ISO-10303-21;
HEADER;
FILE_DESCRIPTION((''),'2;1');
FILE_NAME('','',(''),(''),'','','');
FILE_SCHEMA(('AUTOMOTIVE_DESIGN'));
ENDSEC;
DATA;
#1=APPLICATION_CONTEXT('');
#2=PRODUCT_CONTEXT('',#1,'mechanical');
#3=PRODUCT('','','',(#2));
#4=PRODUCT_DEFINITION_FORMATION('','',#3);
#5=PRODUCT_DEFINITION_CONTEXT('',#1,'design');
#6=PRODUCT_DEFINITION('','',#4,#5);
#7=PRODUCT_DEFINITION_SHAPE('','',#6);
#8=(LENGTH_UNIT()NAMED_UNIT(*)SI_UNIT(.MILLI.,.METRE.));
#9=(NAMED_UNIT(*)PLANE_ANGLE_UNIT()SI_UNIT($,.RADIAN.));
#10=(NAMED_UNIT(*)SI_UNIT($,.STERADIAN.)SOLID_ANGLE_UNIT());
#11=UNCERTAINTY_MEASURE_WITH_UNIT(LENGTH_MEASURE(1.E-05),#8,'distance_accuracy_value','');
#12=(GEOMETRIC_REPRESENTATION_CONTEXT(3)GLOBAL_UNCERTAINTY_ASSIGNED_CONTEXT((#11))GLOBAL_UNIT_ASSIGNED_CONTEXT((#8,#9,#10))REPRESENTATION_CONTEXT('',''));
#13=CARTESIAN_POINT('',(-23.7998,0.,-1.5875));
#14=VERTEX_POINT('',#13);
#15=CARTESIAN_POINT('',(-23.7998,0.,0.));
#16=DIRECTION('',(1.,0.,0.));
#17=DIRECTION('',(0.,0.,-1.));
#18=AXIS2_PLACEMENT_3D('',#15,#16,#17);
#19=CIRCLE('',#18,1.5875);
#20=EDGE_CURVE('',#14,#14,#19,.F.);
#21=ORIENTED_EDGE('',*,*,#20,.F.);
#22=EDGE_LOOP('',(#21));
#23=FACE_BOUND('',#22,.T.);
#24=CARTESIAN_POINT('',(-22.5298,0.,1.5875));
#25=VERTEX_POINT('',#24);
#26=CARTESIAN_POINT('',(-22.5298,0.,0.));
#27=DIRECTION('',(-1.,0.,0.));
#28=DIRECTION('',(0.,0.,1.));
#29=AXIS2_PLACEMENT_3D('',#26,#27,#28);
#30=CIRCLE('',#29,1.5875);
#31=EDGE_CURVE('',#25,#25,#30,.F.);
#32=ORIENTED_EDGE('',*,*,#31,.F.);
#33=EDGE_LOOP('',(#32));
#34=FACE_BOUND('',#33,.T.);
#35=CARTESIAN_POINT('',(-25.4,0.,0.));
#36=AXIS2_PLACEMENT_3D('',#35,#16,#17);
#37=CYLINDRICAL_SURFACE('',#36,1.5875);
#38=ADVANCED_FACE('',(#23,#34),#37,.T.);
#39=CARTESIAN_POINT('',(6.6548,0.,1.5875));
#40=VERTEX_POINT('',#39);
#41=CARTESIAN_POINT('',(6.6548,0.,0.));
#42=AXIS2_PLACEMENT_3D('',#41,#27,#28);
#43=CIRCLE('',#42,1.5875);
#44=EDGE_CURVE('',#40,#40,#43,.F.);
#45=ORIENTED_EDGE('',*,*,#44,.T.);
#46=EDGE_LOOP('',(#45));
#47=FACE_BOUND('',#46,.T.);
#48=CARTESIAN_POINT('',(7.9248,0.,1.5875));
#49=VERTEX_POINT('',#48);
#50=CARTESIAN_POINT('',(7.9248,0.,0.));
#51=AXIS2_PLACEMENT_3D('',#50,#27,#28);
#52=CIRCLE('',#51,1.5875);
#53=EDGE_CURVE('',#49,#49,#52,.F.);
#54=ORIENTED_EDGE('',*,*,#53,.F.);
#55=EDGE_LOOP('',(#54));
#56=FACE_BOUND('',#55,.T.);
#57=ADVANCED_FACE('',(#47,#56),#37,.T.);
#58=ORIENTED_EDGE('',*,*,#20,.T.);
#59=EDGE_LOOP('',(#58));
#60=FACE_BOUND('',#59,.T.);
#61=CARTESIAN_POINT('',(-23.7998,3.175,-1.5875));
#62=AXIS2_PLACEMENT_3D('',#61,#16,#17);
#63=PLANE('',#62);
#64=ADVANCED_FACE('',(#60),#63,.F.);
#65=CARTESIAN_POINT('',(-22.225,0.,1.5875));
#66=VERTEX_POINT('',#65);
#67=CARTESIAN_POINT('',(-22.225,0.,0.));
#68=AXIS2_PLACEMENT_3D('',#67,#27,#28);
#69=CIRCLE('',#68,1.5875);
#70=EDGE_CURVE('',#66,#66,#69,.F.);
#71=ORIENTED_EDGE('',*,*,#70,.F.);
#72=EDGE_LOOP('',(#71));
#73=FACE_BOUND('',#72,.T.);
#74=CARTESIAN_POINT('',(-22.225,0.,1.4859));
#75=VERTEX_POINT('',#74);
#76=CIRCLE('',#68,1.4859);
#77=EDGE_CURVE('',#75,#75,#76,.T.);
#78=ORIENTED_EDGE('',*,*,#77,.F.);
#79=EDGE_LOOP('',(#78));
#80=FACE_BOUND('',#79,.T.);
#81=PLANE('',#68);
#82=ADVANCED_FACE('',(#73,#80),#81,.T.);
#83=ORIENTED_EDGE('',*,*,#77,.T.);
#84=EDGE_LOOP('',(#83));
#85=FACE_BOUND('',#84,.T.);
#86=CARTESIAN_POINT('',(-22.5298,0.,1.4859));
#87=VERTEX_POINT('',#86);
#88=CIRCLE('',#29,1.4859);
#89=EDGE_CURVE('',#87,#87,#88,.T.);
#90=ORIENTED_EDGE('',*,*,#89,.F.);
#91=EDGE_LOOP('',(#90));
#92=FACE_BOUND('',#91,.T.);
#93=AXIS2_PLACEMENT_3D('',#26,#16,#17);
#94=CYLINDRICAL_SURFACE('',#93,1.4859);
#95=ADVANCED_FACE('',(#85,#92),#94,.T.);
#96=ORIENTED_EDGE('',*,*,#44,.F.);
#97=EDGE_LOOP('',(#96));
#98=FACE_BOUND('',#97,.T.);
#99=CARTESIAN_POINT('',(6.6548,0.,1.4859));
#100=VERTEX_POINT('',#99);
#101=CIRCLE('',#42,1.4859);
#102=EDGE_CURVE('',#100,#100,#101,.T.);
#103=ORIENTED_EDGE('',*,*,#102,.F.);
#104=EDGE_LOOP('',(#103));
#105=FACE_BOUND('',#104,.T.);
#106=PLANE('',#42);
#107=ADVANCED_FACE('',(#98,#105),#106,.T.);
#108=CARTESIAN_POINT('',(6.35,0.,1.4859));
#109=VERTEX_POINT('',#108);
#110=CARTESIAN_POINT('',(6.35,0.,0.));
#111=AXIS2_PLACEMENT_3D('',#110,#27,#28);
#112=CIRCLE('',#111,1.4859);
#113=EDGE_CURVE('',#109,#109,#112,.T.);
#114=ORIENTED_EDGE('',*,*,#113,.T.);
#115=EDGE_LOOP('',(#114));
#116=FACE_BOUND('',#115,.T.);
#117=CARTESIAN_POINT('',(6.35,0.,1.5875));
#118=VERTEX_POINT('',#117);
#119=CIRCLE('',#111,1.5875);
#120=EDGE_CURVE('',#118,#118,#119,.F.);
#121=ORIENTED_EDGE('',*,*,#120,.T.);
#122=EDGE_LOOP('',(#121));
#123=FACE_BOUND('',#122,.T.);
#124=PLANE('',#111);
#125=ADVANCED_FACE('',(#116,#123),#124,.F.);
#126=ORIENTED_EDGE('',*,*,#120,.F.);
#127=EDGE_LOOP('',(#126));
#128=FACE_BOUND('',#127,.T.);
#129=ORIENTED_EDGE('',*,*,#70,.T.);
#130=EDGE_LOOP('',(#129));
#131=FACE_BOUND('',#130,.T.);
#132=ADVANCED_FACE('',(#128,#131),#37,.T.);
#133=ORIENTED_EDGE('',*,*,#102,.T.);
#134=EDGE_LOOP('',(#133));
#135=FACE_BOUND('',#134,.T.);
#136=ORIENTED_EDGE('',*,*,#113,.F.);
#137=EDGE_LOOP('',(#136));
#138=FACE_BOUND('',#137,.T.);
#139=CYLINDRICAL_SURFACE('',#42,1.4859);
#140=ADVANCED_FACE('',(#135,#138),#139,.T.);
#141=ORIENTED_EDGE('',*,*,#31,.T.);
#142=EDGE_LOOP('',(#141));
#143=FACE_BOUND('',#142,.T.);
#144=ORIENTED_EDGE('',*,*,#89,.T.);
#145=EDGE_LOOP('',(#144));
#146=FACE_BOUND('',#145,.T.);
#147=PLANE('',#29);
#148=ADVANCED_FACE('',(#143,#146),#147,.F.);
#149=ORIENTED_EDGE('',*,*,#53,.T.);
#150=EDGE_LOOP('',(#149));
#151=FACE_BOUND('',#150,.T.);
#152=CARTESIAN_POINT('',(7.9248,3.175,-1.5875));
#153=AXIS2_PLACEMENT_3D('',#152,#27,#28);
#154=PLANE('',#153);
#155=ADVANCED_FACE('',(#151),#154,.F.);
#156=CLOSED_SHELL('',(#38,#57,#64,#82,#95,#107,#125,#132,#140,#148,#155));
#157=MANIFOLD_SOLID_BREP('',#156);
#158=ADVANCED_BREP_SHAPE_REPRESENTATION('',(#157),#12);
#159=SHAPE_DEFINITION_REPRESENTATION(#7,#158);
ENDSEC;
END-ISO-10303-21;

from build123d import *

# Parameters (mm, degrees)
SKETCH2_R               = 1.5875
EXTRUDE1_DEPTH          = 25.4
EXTRUDE1_DEPTH_BACK     = 25.4
CHAMFER1_SIZE           = 0.3175
SKETCH3_OUTSIDE_W       = 15.376
SKETCH3_OUTSIDE_H       = 15.376
SKETCH3_OUTSIDE_R       = 1.4859
CUT_EXTRUDE1_DEPTH      = 0.3048
SKETCH4_OUTSIDE_W       = 15.376
SKETCH4_OUTSIDE_H       = 15.376
SKETCH4_OUTSIDE_R       = 1.4859
CUT_EXTRUDE2_DEPTH      = 0.3048
SKETCH5_W               = 17.4752
SKETCH5_H               = 6.35
SKETCH5_W_2             = 1.6002
CUT_EXTRUDE3_DEPTH      = 2.5875
CUT_EXTRUDE3_DEPTH_BACK = 2.5875


with BuildPart() as part:
    # Sketch2 → Extrude1 (new body, two sides)
    with BuildSketch(Plane(origin=(0, 0, 0), x_dir=(0, 0, -1), z_dir=(1, 0, 0))) as extrude1_sk:
        Circle(SKETCH2_R)
    extrude(amount=EXTRUDE1_DEPTH)
    extrude(extrude1_sk.sketch, amount=-EXTRUDE1_DEPTH_BACK)

    # Chamfer1
    chamfer1_edges = [part.edges().sort_by_distance(p)[0] for p in [
        (-25.4, 0, 1.5875),
        (25.4, 0, 1.5875),
    ]]
    chamfer(chamfer1_edges, length=CHAMFER1_SIZE)

    # Sketch3 outside → Cut-Extrude1 (cut)
    with BuildSketch(Plane.ZY.offset(22.225)):
        Rectangle(SKETCH3_OUTSIDE_W, SKETCH3_OUTSIDE_H)
        Circle(SKETCH3_OUTSIDE_R, mode=Mode.SUBTRACT)
    extrude(amount=CUT_EXTRUDE1_DEPTH, mode=Mode.SUBTRACT)

    # Sketch4 outside → Cut-Extrude2 (cut)
    with BuildSketch(Plane.ZY.offset(-6.35)):
        Rectangle(SKETCH4_OUTSIDE_W, SKETCH4_OUTSIDE_H)
        Circle(SKETCH4_OUTSIDE_R, mode=Mode.SUBTRACT)
    extrude(amount=-CUT_EXTRUDE2_DEPTH, mode=Mode.SUBTRACT)

    # Sketch5 → Cut-Extrude3 (cut, two sides)
    with BuildSketch(Plane.XY) as cut_extrude3_sk:
        with Locations((16.6624, 0)):
            Rectangle(SKETCH5_W, SKETCH5_H)
        with Locations((-24.5999, 0)):
            Rectangle(SKETCH5_W_2, SKETCH5_H)
    extrude(amount=CUT_EXTRUDE3_DEPTH, mode=Mode.SUBTRACT)
    extrude(cut_extrude3_sk.sketch, amount=-CUT_EXTRUDE3_DEPTH_BACK, mode=Mode.SUBTRACT)


solid = part.part
